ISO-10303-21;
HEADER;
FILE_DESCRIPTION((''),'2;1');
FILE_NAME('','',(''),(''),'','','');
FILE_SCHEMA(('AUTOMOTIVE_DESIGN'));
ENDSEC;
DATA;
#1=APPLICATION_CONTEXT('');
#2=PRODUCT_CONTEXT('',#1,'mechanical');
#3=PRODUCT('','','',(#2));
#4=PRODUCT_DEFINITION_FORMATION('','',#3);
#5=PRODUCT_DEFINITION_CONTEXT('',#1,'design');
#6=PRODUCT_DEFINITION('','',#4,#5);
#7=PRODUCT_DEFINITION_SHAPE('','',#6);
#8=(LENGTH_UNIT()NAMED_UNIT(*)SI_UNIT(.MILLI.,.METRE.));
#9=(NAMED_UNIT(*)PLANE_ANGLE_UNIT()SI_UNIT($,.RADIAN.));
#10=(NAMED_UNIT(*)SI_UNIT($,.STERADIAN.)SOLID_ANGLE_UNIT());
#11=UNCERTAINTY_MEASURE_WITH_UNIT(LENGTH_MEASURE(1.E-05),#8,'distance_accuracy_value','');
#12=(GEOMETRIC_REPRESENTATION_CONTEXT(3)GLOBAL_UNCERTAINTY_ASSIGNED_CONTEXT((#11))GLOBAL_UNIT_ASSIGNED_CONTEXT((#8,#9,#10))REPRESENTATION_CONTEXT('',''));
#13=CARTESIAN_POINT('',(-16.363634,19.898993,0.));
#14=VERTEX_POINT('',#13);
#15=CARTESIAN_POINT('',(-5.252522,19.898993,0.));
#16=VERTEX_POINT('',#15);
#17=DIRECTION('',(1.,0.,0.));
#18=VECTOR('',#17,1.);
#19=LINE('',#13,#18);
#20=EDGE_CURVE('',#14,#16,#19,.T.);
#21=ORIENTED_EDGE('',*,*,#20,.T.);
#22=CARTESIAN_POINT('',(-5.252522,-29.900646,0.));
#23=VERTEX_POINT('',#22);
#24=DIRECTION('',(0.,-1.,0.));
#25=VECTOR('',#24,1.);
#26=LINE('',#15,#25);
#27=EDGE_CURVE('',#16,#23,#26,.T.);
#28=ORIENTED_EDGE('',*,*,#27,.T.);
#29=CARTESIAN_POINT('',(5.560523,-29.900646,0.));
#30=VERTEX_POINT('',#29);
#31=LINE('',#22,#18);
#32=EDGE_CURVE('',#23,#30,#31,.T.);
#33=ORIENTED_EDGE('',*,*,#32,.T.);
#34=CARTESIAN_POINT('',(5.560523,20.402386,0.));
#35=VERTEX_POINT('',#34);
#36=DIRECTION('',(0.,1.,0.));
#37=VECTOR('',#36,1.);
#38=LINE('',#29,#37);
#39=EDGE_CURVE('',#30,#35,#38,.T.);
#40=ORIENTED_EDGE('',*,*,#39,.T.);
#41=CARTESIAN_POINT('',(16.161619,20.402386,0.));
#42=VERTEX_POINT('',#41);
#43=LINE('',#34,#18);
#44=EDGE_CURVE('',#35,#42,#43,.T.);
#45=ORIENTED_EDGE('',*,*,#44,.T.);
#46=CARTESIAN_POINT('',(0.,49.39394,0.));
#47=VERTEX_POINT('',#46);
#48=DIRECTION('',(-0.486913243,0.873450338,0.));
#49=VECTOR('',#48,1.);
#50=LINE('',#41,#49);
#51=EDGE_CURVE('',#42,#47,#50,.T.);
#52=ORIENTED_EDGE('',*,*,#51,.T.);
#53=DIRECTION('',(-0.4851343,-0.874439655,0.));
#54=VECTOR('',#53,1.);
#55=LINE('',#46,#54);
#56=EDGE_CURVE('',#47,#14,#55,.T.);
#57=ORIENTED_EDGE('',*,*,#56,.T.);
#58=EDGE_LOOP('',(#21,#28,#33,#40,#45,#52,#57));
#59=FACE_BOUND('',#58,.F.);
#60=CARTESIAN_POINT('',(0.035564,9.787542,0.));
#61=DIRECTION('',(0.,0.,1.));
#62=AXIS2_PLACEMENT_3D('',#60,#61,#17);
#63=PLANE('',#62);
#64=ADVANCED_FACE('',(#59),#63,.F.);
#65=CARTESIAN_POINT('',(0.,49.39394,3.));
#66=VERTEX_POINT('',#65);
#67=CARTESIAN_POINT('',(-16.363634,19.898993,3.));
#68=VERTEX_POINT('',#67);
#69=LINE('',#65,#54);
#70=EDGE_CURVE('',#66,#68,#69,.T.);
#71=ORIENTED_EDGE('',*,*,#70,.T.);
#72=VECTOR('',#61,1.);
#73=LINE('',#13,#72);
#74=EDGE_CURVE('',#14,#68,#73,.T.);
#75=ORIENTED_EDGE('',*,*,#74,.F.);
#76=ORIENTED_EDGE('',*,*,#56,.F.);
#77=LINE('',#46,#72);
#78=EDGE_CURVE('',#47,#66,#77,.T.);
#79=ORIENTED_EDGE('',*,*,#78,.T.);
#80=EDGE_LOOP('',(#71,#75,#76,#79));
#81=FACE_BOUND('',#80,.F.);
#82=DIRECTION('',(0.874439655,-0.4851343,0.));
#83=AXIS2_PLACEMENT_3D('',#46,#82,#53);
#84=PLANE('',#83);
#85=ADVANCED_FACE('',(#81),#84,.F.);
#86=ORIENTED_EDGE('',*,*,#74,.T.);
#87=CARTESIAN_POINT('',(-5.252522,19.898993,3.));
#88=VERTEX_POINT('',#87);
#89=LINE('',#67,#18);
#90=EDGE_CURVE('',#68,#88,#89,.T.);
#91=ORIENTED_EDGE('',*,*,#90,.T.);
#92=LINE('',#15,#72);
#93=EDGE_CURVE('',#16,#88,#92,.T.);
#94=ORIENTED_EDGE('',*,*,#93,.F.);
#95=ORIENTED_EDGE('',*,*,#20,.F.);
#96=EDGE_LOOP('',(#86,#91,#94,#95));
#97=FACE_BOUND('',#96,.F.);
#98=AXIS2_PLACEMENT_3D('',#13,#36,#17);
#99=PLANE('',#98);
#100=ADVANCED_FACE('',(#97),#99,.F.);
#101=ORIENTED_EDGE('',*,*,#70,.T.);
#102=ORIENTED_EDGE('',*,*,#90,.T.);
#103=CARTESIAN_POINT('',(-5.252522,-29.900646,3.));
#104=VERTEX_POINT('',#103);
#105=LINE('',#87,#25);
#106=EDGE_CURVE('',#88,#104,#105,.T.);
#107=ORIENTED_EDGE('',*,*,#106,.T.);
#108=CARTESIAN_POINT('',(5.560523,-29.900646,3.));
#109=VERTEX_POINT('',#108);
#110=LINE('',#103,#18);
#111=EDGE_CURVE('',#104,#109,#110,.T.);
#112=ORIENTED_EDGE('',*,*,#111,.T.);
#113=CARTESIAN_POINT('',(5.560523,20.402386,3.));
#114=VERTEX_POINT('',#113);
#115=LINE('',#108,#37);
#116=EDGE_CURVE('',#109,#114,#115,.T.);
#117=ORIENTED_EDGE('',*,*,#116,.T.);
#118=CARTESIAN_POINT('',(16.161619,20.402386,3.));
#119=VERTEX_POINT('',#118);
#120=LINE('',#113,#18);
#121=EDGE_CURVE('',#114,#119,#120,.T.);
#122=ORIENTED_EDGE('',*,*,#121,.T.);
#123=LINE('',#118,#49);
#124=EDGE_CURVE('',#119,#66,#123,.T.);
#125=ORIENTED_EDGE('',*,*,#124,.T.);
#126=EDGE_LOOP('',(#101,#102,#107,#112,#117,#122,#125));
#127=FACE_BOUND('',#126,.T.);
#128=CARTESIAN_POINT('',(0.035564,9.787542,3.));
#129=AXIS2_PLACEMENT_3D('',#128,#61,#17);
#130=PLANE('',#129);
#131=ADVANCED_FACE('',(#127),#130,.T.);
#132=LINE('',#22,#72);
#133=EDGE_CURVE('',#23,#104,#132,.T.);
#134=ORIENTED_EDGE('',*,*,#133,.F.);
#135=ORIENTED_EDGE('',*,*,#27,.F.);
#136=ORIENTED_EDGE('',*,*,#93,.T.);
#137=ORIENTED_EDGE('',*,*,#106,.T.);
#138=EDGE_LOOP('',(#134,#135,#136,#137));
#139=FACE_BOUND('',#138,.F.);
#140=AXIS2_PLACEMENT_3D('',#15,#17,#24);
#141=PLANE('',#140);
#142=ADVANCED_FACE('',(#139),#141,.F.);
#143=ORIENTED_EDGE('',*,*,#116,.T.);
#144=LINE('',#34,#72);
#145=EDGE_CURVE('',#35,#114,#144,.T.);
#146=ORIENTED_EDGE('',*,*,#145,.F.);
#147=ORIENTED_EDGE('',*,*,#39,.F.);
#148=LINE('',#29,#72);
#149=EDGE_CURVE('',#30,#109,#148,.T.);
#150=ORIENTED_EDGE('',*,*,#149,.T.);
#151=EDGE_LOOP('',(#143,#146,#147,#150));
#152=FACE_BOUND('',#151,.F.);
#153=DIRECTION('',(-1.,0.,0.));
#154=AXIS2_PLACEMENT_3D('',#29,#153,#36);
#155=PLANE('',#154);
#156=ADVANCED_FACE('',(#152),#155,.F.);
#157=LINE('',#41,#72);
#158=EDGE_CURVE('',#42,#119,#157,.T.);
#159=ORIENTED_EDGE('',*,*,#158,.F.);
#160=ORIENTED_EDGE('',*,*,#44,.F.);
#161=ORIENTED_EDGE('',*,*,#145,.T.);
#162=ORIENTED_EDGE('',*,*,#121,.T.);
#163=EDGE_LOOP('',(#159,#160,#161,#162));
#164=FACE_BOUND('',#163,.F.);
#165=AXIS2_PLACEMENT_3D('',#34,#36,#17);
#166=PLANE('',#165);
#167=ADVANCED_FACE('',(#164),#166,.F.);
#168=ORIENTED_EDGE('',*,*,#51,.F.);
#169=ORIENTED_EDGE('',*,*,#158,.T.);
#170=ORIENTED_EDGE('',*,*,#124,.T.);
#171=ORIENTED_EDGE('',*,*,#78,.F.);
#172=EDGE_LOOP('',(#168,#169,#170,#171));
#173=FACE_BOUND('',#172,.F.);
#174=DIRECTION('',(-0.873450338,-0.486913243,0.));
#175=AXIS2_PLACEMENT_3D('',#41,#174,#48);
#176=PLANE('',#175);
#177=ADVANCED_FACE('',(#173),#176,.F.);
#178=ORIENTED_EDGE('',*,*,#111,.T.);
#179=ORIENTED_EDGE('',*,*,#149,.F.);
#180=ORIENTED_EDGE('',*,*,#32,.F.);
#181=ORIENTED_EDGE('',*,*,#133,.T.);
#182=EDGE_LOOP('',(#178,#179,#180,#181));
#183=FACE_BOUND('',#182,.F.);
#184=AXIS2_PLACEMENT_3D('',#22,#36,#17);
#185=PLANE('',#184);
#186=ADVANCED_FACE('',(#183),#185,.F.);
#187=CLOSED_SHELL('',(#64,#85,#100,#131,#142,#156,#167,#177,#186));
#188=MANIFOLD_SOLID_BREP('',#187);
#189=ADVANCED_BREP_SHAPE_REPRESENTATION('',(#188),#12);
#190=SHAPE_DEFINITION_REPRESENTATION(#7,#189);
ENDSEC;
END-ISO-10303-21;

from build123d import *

# Parameters (mm, degrees)
PAD_DEPTH = 3


with BuildPart() as part:
    # Sketch → Pad (new body)
    with BuildSketch(Plane.XY):
        Polygon((0, 49.39394), (-16.363634, 19.898993), (-5.252522, 19.898993), (-5.252522, -29.900646), (5.560523, -29.900646), (5.560523, 20.402386), (16.161619, 20.402386), align=None)
    extrude(amount=PAD_DEPTH)


solid = part.part
